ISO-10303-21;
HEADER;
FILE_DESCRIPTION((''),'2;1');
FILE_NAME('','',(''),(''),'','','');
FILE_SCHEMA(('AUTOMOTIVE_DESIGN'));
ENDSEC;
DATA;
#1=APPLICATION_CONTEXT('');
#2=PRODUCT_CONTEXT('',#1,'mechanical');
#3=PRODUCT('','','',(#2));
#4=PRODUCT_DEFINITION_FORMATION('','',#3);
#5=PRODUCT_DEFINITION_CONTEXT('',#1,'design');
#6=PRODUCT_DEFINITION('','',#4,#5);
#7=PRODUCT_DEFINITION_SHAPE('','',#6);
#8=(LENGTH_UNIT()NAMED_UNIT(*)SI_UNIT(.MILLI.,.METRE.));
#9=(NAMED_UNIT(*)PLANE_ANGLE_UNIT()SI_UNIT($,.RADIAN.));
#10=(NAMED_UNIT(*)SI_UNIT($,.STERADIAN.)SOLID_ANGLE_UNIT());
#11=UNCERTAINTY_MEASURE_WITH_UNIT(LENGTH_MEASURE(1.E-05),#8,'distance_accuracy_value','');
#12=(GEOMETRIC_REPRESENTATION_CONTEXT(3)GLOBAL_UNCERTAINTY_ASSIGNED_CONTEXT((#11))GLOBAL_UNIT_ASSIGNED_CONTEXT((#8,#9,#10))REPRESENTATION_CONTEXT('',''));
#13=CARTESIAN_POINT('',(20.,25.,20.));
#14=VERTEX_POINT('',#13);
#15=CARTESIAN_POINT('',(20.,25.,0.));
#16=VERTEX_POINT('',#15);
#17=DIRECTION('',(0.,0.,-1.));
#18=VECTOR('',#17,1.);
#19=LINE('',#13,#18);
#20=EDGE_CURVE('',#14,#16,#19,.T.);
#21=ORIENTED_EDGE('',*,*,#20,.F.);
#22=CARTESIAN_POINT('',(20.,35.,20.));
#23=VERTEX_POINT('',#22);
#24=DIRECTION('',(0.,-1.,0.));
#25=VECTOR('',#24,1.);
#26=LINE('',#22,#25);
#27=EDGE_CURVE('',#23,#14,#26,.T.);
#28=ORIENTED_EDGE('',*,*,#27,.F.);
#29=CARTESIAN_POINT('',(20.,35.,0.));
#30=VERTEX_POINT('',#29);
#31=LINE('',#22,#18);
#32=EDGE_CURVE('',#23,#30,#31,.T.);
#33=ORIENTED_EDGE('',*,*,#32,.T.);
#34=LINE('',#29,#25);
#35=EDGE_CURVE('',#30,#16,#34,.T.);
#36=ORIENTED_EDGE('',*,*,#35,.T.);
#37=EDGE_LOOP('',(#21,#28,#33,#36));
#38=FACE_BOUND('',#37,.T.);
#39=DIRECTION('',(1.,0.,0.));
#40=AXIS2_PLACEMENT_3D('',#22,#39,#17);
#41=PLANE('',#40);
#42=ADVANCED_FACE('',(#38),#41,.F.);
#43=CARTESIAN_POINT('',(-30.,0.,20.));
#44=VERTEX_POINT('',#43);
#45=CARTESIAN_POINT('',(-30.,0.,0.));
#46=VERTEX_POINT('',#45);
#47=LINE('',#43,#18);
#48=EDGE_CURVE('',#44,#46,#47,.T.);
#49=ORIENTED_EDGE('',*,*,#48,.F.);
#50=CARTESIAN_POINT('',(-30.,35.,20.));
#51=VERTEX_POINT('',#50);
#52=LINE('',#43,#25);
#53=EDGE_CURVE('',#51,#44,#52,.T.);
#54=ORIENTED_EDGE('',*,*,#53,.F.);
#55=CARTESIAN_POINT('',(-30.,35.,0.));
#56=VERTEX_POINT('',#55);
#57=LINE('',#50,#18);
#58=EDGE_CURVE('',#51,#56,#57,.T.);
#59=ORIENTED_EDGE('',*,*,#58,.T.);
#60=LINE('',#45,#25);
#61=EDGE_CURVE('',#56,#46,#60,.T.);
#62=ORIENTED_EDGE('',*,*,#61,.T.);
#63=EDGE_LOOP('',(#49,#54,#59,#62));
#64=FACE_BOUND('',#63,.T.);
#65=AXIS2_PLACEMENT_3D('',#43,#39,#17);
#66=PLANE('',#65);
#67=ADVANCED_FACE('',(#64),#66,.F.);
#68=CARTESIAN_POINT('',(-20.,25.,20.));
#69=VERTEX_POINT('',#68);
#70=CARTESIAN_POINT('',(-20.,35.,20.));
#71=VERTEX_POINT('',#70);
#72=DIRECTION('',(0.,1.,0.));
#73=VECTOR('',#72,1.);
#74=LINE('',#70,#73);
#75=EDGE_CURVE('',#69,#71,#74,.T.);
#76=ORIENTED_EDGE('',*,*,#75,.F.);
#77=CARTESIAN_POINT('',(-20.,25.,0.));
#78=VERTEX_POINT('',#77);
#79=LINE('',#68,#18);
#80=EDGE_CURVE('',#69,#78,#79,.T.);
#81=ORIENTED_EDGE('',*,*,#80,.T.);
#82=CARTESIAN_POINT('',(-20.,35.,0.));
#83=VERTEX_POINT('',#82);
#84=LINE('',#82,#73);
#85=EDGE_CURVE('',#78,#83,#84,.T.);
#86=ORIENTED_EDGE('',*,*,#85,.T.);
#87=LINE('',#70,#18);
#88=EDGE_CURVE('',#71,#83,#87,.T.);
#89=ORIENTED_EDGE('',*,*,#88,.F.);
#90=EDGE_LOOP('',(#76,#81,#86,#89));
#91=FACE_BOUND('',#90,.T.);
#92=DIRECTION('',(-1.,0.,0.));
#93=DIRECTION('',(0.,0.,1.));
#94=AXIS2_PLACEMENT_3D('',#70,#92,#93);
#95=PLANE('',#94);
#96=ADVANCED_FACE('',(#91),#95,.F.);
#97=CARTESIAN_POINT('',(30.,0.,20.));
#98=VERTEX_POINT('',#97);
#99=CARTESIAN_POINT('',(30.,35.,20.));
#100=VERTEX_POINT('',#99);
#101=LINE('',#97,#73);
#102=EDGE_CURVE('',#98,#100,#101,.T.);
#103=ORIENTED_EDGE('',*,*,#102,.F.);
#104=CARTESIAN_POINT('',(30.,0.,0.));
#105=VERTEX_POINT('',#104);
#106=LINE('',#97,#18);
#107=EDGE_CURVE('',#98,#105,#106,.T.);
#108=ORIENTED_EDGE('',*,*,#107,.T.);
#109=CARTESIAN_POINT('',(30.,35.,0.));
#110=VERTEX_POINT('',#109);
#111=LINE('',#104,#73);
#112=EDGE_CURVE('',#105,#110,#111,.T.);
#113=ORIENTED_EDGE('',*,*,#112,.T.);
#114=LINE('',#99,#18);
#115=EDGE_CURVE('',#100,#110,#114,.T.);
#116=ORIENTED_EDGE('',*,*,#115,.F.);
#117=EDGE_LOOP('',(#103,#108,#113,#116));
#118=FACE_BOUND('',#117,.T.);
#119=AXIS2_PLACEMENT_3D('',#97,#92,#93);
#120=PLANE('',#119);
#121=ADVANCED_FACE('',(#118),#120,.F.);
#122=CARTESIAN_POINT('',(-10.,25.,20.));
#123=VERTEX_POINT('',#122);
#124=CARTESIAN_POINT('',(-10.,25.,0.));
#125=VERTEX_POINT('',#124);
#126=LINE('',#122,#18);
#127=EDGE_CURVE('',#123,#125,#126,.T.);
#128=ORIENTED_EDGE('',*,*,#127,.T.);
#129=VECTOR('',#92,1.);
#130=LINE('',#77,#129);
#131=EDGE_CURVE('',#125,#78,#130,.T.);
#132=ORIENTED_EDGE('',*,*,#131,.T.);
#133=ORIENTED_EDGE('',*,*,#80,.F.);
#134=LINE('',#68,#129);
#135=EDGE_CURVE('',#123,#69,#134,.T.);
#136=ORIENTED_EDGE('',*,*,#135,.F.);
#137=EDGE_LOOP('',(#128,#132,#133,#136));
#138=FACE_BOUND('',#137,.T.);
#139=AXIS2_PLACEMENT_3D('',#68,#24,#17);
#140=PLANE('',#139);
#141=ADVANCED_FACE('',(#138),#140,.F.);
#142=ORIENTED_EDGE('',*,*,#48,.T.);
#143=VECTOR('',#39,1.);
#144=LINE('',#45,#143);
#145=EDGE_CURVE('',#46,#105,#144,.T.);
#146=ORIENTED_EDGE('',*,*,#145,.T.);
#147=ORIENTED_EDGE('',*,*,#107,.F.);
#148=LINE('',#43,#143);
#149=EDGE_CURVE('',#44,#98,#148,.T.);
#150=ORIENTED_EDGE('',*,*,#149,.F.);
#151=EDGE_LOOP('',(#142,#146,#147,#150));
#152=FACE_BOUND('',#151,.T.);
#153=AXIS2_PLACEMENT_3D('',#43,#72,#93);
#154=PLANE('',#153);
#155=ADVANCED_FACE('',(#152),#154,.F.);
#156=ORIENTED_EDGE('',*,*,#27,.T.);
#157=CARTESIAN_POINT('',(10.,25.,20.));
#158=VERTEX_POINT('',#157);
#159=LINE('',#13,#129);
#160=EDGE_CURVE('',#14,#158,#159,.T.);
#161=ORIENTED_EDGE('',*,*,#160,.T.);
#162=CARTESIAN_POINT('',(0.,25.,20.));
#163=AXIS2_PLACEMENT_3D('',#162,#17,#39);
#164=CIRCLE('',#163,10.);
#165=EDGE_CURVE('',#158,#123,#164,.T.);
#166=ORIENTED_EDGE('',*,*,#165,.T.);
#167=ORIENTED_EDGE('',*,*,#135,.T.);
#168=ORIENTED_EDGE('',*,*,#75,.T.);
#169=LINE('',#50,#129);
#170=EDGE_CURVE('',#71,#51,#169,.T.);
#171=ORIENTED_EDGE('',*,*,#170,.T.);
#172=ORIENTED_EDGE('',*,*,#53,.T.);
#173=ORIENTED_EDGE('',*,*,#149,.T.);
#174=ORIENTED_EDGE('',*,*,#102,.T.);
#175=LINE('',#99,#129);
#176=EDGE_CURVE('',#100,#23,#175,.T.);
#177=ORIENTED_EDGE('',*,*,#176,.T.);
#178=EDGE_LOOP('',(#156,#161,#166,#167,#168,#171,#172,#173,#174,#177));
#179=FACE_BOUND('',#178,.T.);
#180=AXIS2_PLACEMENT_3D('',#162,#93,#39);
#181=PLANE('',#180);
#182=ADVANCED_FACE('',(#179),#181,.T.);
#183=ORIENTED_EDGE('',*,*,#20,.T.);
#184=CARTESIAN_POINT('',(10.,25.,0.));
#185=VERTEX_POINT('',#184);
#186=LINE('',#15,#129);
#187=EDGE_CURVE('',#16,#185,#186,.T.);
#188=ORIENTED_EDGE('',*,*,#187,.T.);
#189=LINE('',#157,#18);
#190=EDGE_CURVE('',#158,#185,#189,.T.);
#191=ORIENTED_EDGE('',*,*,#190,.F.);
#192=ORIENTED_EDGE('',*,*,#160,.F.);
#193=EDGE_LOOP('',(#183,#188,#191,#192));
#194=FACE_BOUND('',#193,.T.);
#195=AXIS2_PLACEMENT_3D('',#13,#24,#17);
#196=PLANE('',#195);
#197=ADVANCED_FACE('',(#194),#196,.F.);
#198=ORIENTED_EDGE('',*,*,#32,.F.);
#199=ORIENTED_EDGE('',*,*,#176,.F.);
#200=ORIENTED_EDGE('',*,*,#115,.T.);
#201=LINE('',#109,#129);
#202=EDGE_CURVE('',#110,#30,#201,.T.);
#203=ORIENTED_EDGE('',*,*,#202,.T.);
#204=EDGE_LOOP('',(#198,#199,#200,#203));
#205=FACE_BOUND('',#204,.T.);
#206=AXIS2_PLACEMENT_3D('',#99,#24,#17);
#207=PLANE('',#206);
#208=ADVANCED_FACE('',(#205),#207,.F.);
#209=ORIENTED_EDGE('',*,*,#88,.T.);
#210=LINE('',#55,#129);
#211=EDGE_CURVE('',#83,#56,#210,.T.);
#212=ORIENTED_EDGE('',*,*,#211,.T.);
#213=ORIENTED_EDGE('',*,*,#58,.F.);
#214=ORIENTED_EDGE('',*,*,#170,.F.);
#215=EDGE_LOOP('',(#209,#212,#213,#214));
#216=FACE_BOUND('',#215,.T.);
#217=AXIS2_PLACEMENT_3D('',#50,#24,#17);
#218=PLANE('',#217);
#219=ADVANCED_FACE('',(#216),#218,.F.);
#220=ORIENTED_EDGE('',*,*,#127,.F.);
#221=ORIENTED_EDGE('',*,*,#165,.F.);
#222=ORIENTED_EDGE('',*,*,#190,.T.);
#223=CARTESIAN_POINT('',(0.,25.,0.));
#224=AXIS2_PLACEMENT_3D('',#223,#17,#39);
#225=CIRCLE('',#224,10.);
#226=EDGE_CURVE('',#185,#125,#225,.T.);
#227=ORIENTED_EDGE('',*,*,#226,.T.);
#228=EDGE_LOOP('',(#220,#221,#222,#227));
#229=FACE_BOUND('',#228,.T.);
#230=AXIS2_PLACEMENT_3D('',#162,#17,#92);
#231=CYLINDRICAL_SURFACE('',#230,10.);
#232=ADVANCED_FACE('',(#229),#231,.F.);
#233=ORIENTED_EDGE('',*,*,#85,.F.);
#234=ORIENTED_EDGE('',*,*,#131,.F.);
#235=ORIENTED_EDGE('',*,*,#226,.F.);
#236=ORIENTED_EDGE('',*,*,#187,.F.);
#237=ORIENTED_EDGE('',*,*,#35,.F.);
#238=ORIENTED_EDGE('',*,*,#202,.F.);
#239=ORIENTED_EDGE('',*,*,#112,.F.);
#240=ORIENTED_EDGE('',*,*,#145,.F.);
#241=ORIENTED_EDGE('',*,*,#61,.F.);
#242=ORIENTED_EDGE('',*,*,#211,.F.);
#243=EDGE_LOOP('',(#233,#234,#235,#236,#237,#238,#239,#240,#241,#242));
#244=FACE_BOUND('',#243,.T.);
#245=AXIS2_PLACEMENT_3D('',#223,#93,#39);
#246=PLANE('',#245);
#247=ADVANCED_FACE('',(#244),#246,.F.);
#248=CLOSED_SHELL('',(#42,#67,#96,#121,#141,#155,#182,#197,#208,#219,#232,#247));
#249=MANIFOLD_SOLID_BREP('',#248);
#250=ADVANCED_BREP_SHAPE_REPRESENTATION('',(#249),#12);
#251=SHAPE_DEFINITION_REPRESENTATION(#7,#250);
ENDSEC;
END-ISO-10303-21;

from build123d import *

# Parameters (mm, degrees)
BOSS_EXTRUDE2_DEPTH = 20


with BuildPart() as part:
    # Sketch1 → Boss-Extrude2 (new body)
    with BuildSketch(Plane.XY):
        with BuildLine():
            Line((-30, 0), (30, 0))
            Line((30, 0), (30, 35))
            Line((30, 35), (20, 35))
            Line((20, 35), (20, 25))
            Line((20, 25), (10, 25))
            ThreePointArc((10, 25), (0, 15), (-10, 25))
            Line((-10, 25), (-20, 25))
            Line((-20, 25), (-20, 35))
            Line((-20, 35), (-30, 35))
            Line((-30, 35), (-30, 0))
        make_face()
    extrude(amount=BOSS_EXTRUDE2_DEPTH)


solid = part.part
